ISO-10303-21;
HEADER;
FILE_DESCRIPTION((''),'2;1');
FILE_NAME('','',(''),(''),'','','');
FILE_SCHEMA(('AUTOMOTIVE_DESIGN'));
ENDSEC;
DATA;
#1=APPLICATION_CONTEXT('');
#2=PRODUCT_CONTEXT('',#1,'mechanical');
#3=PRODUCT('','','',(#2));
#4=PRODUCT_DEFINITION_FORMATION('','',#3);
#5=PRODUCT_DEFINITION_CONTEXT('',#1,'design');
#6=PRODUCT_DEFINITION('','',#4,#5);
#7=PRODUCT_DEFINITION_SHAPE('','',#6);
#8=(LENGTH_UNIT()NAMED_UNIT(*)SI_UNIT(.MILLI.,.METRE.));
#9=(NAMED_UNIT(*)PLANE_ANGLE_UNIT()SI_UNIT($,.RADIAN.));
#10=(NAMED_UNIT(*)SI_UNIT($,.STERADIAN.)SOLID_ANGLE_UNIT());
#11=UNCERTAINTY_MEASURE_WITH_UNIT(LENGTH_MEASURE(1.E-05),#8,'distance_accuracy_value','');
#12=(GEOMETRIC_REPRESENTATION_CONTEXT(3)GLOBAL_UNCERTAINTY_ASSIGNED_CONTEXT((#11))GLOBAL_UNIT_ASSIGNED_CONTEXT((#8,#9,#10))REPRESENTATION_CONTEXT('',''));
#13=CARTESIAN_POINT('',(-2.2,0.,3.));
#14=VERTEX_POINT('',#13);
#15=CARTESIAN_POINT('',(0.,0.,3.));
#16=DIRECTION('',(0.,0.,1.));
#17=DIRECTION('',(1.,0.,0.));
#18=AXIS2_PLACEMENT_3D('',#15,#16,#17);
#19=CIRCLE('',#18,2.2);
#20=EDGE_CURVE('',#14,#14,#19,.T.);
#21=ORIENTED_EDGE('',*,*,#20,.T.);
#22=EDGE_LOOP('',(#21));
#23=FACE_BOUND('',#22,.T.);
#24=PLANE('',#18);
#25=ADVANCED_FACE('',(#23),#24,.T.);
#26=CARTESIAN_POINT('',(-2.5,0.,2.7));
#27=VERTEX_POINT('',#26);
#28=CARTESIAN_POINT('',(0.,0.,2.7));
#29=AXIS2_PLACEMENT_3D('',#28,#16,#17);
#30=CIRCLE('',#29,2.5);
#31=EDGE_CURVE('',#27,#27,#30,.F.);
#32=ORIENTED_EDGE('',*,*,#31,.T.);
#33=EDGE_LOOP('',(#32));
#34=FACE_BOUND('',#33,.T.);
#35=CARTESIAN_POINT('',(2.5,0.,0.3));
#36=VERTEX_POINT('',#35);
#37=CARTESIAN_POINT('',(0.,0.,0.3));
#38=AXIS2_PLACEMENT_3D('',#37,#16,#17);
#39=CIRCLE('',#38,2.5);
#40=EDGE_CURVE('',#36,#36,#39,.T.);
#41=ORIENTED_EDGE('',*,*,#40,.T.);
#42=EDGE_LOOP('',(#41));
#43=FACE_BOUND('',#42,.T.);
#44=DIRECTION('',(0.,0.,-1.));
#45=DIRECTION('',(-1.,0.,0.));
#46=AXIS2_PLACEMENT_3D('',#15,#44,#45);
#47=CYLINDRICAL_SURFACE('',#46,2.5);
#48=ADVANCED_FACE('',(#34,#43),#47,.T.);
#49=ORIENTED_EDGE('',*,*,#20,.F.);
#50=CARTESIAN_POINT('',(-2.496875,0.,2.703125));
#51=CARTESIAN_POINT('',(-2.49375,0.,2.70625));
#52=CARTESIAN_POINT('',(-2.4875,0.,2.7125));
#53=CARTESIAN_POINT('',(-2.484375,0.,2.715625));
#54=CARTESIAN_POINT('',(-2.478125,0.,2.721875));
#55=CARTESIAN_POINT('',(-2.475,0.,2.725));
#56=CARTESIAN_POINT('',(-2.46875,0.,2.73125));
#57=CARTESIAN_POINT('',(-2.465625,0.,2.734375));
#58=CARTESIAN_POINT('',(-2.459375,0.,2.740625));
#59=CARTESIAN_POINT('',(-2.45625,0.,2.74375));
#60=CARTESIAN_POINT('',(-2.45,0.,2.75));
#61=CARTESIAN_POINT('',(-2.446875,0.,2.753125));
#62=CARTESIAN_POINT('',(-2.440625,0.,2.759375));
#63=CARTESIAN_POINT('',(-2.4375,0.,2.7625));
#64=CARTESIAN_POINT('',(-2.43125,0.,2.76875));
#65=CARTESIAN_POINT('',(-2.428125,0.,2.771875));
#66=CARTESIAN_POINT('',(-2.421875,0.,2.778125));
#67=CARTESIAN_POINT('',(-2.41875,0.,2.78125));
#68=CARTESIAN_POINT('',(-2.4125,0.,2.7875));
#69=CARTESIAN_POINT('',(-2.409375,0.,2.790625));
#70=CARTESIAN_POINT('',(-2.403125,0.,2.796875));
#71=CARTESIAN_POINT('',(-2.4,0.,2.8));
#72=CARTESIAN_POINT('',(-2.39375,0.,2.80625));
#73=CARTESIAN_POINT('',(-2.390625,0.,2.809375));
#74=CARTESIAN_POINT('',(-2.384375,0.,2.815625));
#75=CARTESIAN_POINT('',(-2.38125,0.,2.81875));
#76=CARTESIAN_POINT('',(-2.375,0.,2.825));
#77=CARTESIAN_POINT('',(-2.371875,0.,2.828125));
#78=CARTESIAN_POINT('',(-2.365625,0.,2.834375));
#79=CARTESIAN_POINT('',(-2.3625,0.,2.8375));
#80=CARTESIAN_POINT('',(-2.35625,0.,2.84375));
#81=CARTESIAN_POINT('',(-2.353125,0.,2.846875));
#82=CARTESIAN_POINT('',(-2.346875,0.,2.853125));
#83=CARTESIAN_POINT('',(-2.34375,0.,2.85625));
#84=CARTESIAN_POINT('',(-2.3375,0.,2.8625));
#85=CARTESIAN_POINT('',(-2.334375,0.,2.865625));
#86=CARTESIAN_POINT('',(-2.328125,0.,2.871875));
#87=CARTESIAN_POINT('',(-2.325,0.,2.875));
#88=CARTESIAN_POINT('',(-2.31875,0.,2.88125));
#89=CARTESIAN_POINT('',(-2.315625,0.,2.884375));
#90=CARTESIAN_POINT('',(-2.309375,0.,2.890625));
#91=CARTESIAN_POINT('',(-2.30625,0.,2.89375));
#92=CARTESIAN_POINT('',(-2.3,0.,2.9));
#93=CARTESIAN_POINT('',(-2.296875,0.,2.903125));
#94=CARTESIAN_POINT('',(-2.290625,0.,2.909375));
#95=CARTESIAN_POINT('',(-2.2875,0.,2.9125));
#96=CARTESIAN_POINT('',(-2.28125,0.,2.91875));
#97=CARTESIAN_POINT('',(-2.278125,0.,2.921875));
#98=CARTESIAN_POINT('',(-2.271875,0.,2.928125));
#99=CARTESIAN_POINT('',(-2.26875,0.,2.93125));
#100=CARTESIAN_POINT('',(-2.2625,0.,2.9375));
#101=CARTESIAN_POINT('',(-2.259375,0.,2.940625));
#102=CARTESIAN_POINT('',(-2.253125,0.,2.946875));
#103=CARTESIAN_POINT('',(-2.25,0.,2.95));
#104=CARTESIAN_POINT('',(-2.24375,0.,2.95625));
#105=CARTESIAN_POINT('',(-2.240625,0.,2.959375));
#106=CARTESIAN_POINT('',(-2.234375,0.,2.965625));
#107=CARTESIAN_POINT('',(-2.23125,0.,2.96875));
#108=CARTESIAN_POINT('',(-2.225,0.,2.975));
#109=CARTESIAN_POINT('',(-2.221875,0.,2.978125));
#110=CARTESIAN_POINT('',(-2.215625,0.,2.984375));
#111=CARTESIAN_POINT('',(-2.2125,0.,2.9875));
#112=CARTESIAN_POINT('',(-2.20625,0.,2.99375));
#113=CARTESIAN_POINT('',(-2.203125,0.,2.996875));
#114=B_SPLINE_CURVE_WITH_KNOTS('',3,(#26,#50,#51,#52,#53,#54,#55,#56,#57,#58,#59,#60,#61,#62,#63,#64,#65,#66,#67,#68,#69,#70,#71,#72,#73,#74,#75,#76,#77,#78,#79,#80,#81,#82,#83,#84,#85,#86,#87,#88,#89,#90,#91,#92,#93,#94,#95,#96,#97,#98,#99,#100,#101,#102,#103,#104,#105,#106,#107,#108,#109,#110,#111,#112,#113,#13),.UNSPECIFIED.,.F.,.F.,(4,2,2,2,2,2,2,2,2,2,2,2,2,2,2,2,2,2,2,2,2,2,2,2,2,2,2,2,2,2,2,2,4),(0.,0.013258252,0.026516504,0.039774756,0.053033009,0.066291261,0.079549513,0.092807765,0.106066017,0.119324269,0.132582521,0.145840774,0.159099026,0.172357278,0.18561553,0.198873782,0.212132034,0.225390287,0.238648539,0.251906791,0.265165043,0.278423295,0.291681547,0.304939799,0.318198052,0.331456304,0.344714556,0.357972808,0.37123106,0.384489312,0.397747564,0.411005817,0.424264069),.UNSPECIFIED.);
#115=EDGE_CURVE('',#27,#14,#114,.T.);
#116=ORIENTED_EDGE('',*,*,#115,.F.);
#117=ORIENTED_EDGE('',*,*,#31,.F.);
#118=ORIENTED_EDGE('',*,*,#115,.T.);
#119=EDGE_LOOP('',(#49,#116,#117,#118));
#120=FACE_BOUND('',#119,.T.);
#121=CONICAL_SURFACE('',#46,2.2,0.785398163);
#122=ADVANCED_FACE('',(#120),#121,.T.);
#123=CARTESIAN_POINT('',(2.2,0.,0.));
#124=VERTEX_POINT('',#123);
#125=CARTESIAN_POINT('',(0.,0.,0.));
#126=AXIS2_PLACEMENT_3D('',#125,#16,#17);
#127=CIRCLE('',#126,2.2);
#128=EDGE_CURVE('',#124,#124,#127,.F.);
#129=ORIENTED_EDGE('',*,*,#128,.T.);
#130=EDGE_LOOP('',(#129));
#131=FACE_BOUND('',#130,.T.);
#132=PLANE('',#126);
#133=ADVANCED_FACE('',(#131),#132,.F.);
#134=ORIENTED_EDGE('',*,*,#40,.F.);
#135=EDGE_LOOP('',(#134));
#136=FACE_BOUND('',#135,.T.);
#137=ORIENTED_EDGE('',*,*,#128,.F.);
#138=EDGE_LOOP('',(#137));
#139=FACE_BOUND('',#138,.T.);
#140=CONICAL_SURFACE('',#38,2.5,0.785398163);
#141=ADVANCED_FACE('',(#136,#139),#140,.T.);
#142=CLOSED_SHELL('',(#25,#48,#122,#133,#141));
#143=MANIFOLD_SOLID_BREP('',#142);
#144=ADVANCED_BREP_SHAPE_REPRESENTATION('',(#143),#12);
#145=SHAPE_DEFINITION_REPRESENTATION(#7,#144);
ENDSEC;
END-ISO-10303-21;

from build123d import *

# Parameters (mm, degrees)
SKETCH_1_R      = 2.5
EXTRUDE_1_DEPTH = 3
CHAMFER_1_SIZE  = 0.3


with BuildPart() as part:
    # Эскиз1 → Бобышка-Вытянуть1 (new body)
    with BuildSketch(Plane.XY):
        Circle(SKETCH_1_R)
    extrude(amount=EXTRUDE_1_DEPTH)

    # Фаска1
    chamfer_1_edges = [part.edges().sort_by_distance(p)[0] for p in [
        (-2.5, 0, 0),
        (-2.5, 0, 3),
    ]]
    chamfer(chamfer_1_edges, length=CHAMFER_1_SIZE)


solid = part.part
